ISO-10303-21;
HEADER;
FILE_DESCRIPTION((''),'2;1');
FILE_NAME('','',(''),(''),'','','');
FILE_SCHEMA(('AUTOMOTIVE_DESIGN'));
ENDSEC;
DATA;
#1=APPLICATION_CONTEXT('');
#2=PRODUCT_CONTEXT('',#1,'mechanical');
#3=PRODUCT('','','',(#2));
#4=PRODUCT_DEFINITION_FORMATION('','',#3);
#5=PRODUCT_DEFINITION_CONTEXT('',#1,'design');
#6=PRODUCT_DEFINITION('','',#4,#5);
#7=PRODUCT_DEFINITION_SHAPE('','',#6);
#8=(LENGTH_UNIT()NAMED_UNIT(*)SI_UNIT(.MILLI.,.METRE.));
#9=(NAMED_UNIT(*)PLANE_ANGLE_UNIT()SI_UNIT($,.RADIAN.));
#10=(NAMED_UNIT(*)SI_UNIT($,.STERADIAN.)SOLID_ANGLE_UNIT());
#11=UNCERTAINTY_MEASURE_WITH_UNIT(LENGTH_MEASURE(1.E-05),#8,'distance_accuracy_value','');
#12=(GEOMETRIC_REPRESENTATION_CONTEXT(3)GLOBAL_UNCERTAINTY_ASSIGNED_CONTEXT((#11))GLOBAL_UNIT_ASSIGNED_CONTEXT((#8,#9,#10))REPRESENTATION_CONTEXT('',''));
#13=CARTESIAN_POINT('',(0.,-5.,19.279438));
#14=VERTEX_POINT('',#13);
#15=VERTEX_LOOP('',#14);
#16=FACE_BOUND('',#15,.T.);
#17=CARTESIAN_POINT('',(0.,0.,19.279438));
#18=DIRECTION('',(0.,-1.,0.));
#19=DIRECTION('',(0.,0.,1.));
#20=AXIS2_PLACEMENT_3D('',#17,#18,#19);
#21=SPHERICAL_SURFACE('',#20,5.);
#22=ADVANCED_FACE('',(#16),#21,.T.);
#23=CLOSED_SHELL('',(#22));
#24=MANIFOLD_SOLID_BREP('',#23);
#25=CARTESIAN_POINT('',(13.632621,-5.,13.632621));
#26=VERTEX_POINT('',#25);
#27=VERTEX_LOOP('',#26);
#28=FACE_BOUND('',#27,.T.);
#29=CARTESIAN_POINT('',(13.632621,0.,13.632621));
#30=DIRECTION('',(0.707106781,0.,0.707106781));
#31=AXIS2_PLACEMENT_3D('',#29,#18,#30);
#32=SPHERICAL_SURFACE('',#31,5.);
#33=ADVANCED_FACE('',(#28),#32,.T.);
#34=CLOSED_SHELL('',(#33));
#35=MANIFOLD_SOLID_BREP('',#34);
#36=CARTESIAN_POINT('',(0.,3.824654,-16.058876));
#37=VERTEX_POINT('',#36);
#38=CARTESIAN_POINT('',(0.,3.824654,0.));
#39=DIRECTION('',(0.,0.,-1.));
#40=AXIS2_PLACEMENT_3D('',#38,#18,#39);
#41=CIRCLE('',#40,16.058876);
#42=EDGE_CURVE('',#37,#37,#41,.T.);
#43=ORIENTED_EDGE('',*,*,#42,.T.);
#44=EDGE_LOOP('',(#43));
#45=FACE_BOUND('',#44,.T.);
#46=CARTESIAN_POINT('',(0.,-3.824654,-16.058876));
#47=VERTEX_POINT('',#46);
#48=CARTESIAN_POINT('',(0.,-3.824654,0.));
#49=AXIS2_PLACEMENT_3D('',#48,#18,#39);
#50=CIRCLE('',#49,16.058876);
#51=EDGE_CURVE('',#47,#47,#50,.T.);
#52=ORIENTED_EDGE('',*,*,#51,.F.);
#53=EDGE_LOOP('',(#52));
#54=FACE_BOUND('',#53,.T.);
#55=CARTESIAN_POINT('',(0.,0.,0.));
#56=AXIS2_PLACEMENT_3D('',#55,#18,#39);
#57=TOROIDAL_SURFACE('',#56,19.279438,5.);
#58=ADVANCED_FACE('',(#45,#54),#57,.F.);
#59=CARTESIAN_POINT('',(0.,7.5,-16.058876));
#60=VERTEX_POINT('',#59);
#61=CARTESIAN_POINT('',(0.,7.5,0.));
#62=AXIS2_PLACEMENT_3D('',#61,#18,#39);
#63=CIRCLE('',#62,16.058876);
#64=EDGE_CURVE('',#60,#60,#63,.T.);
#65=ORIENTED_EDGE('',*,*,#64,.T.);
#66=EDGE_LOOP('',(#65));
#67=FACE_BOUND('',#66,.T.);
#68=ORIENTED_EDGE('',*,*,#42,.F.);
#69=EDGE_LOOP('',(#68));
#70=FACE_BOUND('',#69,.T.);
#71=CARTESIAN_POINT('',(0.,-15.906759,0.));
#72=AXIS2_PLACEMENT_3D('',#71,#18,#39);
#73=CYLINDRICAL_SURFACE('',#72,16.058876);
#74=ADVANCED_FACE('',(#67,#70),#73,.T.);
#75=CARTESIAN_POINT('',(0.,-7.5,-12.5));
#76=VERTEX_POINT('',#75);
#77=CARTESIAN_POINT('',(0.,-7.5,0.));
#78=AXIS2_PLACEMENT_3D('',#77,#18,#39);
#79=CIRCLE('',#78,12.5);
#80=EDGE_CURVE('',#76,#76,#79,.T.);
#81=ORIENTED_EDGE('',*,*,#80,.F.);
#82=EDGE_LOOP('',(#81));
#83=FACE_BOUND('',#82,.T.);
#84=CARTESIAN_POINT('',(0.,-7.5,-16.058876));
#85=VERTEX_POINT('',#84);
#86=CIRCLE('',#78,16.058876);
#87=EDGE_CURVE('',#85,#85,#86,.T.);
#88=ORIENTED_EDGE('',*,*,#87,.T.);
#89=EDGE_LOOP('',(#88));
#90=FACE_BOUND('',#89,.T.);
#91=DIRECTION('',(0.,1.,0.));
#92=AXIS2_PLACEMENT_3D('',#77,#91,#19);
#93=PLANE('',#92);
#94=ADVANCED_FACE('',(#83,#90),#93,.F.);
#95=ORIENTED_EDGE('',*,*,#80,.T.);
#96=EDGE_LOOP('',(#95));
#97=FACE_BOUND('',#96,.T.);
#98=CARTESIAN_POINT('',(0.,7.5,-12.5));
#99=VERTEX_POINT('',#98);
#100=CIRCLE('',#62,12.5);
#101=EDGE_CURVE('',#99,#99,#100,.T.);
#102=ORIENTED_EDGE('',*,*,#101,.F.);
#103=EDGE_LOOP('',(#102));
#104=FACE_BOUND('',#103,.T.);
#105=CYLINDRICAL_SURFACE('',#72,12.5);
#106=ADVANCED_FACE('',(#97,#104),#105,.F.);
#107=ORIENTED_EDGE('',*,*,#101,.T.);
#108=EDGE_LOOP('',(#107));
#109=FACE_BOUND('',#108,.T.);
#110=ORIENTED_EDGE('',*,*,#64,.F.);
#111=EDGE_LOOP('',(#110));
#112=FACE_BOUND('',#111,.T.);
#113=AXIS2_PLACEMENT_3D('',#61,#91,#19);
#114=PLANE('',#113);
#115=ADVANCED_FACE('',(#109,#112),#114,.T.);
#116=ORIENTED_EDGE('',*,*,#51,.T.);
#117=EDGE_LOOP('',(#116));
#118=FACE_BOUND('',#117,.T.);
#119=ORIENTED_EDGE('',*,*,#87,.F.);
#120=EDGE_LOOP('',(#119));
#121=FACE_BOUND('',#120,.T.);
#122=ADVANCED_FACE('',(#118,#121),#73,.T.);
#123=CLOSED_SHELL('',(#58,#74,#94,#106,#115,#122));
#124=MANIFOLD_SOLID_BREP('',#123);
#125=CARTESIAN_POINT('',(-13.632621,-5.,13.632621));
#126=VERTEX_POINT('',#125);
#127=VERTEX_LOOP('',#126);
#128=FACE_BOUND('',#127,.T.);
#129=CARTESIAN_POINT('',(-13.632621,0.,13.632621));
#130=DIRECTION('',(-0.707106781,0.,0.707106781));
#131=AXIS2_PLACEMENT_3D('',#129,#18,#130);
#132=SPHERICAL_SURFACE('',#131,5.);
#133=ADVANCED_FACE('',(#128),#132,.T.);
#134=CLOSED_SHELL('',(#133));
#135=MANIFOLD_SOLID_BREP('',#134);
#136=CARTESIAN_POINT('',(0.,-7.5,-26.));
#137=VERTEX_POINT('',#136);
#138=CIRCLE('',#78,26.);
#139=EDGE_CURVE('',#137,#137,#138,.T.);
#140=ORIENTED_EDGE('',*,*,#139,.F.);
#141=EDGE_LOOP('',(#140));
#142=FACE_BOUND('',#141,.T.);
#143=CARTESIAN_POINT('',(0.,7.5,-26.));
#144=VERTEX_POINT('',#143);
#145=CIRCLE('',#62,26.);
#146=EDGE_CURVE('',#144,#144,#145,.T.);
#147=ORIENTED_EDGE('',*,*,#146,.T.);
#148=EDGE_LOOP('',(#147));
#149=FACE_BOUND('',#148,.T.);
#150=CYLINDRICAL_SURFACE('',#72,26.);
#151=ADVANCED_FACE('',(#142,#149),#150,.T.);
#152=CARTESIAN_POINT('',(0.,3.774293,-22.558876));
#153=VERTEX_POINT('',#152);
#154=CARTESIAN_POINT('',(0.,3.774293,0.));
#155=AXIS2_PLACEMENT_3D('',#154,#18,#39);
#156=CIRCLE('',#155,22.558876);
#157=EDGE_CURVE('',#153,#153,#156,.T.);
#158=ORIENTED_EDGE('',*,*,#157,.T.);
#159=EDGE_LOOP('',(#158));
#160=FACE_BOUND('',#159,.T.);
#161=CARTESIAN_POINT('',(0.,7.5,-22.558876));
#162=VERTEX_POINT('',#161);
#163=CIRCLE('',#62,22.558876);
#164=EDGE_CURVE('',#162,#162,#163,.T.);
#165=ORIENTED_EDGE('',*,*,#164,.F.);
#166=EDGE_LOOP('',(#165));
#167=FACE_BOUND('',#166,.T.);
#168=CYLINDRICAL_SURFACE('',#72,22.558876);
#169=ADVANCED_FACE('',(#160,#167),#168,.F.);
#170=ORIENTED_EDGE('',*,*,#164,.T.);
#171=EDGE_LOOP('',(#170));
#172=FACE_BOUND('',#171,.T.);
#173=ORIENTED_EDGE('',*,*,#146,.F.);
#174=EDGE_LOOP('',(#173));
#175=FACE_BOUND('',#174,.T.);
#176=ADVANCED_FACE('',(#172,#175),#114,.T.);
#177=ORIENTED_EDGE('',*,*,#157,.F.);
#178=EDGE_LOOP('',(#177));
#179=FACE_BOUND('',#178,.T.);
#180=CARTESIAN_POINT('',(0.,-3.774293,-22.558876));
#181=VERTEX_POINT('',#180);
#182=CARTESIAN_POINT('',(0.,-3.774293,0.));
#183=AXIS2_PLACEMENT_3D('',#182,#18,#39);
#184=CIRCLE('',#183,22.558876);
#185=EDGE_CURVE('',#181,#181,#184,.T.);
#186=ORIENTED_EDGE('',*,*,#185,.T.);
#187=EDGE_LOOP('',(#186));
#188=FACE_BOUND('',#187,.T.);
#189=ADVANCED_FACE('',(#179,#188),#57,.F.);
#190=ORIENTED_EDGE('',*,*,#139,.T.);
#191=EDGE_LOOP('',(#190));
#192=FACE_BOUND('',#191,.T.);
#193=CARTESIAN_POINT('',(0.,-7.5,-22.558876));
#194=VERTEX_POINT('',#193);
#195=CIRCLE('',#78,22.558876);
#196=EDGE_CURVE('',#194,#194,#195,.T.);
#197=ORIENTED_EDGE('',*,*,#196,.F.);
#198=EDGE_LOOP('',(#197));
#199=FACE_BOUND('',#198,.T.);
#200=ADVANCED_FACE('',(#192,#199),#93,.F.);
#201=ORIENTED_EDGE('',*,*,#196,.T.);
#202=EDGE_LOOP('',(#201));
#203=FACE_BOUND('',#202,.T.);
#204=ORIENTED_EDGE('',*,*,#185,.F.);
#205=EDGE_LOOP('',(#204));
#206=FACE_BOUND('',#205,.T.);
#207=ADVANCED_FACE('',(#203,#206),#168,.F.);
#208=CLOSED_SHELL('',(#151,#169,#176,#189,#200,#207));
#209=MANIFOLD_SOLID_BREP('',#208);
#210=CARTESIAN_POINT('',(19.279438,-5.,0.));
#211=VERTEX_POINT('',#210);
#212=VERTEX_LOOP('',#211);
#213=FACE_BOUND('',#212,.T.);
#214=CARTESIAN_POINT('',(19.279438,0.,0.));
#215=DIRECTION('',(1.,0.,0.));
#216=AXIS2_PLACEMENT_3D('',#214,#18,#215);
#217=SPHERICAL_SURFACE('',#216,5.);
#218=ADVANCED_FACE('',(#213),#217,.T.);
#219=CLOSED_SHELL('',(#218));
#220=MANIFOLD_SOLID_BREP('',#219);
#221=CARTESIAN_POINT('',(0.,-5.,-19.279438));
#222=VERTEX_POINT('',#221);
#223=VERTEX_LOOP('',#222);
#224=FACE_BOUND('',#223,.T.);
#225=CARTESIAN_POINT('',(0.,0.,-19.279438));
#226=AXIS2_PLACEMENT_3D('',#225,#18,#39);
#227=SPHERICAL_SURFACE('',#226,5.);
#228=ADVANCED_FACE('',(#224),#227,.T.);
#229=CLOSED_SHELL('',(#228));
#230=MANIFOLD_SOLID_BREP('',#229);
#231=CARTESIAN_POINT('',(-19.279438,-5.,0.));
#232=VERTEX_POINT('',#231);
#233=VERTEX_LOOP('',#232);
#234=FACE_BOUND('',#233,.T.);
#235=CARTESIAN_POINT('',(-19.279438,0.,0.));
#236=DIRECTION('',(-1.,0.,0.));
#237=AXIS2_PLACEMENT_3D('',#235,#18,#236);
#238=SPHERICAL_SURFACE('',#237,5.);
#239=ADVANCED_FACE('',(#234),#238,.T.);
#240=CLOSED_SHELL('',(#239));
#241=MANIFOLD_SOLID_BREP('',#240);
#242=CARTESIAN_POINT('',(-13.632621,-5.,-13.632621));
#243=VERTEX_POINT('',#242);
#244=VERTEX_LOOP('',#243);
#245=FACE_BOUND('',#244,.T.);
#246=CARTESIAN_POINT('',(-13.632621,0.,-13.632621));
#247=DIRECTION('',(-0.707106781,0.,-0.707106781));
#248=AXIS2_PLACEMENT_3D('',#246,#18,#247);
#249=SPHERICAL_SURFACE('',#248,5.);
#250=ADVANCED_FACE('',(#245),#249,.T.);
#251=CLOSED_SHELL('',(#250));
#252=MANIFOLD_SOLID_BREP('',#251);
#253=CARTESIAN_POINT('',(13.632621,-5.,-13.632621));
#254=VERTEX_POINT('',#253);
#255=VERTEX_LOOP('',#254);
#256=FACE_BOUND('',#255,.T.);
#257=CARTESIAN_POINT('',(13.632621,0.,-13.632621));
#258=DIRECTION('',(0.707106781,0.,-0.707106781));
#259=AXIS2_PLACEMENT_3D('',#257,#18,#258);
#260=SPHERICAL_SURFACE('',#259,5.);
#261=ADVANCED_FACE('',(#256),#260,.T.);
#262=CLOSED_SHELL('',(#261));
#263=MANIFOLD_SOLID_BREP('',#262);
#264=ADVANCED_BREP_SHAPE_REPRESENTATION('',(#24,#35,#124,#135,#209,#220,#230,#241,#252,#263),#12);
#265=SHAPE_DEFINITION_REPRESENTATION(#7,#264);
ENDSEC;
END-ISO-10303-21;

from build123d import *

# Parameters (mm, degrees)
CIRPATTERN1_COUNT = 8


with BuildPart() as part:
    # Sketch1 → Revolve2 (revolve)
    with BuildSketch(Plane.XY):
        with BuildLine():
            ThreePointArc((-22.558875638, 3.774292992), (-24.279437819, 0), (-22.558875638, -3.774292992))
            ThreePointArc((-22.558875638, -3.774292992), (-21.029942752, -4.683559809), (-19.279437819, -5))
            Line((-19.279437819, -5), (-19.279437819, 5))
            ThreePointArc((-19.279437819, 5), (-21.029942752, 4.683559809), (-22.558875638, 3.774292992))
        make_face()
    revolve(axis=Axis((-19.279437819, -6.112760854, 0), (0, 1, 0)))


with BuildPart() as body_2:
    # Sketch1<5> → Revolve3 (revolve)
    with BuildSketch(Plane.XY):
        with BuildLine():
            Line((-22.558875638, -7.5), (-22.558875638, -3.774292992))
            ThreePointArc((-22.558875638, -3.774292992), (-24.279437819, 0), (-22.558875638, 3.774292992))
            Line((-22.558875638, 3.774292992), (-22.558875638, 7.5))
            Line((-22.558875638, 7.5), (-26, 7.5))
            Line((-26, 7.5), (-26, -7.5))
            Line((-26, -7.5), (-22.558875638, -7.5))
        make_face()
        with BuildLine():
            Line((-12.5, 7.5), (-16.058875638, 7.5))
            Line((-16.058875638, 7.5), (-16.058875638, 3.824654133))
            ThreePointArc((-16.058875638, 3.824654133), (-14.279437819, 0), (-16.058875638, -3.824654133))
            Line((-16.058875638, -3.824654133), (-16.058875638, -7.5))
            Line((-16.058875638, -7.5), (-12.5, -7.5))
            Line((-12.5, -7.5), (-12.5, 7.5))
        make_face()
    revolve(axis=Axis((0, -15.906758569, 0), (0, 1, 0)))


with BuildPart() as cirpattern1_1:
    # CirPattern1: pattern copy
    add(part.part.rotate(Axis((0, 0, 0), (0, 1, 0)), 1 * 360 / CIRPATTERN1_COUNT))


with BuildPart() as cirpattern1_2:
    # CirPattern1: pattern copy
    add(part.part.rotate(Axis((0, 0, 0), (0, 1, 0)), 2 * 360 / CIRPATTERN1_COUNT))


with BuildPart() as cirpattern1_3:
    # CirPattern1: pattern copy
    add(part.part.rotate(Axis((0, 0, 0), (0, 1, 0)), 3 * 360 / CIRPATTERN1_COUNT))


with BuildPart() as cirpattern1_4:
    # CirPattern1: pattern copy
    add(part.part.rotate(Axis((0, 0, 0), (0, 1, 0)), 4 * 360 / CIRPATTERN1_COUNT))


with BuildPart() as cirpattern1_5:
    # CirPattern1: pattern copy
    add(part.part.rotate(Axis((0, 0, 0), (0, 1, 0)), 5 * 360 / CIRPATTERN1_COUNT))


with BuildPart() as cirpattern1_6:
    # CirPattern1: pattern copy
    add(part.part.rotate(Axis((0, 0, 0), (0, 1, 0)), 6 * 360 / CIRPATTERN1_COUNT))


with BuildPart() as cirpattern1_7:
    # CirPattern1: pattern copy
    add(part.part.rotate(Axis((0, 0, 0), (0, 1, 0)), 7 * 360 / CIRPATTERN1_COUNT))


solid = Compound([part.part, body_2.part, cirpattern1_1.part, cirpattern1_2.part, cirpattern1_3.part, cirpattern1_4.part, cirpattern1_5.part, cirpattern1_6.part, cirpattern1_7.part])
